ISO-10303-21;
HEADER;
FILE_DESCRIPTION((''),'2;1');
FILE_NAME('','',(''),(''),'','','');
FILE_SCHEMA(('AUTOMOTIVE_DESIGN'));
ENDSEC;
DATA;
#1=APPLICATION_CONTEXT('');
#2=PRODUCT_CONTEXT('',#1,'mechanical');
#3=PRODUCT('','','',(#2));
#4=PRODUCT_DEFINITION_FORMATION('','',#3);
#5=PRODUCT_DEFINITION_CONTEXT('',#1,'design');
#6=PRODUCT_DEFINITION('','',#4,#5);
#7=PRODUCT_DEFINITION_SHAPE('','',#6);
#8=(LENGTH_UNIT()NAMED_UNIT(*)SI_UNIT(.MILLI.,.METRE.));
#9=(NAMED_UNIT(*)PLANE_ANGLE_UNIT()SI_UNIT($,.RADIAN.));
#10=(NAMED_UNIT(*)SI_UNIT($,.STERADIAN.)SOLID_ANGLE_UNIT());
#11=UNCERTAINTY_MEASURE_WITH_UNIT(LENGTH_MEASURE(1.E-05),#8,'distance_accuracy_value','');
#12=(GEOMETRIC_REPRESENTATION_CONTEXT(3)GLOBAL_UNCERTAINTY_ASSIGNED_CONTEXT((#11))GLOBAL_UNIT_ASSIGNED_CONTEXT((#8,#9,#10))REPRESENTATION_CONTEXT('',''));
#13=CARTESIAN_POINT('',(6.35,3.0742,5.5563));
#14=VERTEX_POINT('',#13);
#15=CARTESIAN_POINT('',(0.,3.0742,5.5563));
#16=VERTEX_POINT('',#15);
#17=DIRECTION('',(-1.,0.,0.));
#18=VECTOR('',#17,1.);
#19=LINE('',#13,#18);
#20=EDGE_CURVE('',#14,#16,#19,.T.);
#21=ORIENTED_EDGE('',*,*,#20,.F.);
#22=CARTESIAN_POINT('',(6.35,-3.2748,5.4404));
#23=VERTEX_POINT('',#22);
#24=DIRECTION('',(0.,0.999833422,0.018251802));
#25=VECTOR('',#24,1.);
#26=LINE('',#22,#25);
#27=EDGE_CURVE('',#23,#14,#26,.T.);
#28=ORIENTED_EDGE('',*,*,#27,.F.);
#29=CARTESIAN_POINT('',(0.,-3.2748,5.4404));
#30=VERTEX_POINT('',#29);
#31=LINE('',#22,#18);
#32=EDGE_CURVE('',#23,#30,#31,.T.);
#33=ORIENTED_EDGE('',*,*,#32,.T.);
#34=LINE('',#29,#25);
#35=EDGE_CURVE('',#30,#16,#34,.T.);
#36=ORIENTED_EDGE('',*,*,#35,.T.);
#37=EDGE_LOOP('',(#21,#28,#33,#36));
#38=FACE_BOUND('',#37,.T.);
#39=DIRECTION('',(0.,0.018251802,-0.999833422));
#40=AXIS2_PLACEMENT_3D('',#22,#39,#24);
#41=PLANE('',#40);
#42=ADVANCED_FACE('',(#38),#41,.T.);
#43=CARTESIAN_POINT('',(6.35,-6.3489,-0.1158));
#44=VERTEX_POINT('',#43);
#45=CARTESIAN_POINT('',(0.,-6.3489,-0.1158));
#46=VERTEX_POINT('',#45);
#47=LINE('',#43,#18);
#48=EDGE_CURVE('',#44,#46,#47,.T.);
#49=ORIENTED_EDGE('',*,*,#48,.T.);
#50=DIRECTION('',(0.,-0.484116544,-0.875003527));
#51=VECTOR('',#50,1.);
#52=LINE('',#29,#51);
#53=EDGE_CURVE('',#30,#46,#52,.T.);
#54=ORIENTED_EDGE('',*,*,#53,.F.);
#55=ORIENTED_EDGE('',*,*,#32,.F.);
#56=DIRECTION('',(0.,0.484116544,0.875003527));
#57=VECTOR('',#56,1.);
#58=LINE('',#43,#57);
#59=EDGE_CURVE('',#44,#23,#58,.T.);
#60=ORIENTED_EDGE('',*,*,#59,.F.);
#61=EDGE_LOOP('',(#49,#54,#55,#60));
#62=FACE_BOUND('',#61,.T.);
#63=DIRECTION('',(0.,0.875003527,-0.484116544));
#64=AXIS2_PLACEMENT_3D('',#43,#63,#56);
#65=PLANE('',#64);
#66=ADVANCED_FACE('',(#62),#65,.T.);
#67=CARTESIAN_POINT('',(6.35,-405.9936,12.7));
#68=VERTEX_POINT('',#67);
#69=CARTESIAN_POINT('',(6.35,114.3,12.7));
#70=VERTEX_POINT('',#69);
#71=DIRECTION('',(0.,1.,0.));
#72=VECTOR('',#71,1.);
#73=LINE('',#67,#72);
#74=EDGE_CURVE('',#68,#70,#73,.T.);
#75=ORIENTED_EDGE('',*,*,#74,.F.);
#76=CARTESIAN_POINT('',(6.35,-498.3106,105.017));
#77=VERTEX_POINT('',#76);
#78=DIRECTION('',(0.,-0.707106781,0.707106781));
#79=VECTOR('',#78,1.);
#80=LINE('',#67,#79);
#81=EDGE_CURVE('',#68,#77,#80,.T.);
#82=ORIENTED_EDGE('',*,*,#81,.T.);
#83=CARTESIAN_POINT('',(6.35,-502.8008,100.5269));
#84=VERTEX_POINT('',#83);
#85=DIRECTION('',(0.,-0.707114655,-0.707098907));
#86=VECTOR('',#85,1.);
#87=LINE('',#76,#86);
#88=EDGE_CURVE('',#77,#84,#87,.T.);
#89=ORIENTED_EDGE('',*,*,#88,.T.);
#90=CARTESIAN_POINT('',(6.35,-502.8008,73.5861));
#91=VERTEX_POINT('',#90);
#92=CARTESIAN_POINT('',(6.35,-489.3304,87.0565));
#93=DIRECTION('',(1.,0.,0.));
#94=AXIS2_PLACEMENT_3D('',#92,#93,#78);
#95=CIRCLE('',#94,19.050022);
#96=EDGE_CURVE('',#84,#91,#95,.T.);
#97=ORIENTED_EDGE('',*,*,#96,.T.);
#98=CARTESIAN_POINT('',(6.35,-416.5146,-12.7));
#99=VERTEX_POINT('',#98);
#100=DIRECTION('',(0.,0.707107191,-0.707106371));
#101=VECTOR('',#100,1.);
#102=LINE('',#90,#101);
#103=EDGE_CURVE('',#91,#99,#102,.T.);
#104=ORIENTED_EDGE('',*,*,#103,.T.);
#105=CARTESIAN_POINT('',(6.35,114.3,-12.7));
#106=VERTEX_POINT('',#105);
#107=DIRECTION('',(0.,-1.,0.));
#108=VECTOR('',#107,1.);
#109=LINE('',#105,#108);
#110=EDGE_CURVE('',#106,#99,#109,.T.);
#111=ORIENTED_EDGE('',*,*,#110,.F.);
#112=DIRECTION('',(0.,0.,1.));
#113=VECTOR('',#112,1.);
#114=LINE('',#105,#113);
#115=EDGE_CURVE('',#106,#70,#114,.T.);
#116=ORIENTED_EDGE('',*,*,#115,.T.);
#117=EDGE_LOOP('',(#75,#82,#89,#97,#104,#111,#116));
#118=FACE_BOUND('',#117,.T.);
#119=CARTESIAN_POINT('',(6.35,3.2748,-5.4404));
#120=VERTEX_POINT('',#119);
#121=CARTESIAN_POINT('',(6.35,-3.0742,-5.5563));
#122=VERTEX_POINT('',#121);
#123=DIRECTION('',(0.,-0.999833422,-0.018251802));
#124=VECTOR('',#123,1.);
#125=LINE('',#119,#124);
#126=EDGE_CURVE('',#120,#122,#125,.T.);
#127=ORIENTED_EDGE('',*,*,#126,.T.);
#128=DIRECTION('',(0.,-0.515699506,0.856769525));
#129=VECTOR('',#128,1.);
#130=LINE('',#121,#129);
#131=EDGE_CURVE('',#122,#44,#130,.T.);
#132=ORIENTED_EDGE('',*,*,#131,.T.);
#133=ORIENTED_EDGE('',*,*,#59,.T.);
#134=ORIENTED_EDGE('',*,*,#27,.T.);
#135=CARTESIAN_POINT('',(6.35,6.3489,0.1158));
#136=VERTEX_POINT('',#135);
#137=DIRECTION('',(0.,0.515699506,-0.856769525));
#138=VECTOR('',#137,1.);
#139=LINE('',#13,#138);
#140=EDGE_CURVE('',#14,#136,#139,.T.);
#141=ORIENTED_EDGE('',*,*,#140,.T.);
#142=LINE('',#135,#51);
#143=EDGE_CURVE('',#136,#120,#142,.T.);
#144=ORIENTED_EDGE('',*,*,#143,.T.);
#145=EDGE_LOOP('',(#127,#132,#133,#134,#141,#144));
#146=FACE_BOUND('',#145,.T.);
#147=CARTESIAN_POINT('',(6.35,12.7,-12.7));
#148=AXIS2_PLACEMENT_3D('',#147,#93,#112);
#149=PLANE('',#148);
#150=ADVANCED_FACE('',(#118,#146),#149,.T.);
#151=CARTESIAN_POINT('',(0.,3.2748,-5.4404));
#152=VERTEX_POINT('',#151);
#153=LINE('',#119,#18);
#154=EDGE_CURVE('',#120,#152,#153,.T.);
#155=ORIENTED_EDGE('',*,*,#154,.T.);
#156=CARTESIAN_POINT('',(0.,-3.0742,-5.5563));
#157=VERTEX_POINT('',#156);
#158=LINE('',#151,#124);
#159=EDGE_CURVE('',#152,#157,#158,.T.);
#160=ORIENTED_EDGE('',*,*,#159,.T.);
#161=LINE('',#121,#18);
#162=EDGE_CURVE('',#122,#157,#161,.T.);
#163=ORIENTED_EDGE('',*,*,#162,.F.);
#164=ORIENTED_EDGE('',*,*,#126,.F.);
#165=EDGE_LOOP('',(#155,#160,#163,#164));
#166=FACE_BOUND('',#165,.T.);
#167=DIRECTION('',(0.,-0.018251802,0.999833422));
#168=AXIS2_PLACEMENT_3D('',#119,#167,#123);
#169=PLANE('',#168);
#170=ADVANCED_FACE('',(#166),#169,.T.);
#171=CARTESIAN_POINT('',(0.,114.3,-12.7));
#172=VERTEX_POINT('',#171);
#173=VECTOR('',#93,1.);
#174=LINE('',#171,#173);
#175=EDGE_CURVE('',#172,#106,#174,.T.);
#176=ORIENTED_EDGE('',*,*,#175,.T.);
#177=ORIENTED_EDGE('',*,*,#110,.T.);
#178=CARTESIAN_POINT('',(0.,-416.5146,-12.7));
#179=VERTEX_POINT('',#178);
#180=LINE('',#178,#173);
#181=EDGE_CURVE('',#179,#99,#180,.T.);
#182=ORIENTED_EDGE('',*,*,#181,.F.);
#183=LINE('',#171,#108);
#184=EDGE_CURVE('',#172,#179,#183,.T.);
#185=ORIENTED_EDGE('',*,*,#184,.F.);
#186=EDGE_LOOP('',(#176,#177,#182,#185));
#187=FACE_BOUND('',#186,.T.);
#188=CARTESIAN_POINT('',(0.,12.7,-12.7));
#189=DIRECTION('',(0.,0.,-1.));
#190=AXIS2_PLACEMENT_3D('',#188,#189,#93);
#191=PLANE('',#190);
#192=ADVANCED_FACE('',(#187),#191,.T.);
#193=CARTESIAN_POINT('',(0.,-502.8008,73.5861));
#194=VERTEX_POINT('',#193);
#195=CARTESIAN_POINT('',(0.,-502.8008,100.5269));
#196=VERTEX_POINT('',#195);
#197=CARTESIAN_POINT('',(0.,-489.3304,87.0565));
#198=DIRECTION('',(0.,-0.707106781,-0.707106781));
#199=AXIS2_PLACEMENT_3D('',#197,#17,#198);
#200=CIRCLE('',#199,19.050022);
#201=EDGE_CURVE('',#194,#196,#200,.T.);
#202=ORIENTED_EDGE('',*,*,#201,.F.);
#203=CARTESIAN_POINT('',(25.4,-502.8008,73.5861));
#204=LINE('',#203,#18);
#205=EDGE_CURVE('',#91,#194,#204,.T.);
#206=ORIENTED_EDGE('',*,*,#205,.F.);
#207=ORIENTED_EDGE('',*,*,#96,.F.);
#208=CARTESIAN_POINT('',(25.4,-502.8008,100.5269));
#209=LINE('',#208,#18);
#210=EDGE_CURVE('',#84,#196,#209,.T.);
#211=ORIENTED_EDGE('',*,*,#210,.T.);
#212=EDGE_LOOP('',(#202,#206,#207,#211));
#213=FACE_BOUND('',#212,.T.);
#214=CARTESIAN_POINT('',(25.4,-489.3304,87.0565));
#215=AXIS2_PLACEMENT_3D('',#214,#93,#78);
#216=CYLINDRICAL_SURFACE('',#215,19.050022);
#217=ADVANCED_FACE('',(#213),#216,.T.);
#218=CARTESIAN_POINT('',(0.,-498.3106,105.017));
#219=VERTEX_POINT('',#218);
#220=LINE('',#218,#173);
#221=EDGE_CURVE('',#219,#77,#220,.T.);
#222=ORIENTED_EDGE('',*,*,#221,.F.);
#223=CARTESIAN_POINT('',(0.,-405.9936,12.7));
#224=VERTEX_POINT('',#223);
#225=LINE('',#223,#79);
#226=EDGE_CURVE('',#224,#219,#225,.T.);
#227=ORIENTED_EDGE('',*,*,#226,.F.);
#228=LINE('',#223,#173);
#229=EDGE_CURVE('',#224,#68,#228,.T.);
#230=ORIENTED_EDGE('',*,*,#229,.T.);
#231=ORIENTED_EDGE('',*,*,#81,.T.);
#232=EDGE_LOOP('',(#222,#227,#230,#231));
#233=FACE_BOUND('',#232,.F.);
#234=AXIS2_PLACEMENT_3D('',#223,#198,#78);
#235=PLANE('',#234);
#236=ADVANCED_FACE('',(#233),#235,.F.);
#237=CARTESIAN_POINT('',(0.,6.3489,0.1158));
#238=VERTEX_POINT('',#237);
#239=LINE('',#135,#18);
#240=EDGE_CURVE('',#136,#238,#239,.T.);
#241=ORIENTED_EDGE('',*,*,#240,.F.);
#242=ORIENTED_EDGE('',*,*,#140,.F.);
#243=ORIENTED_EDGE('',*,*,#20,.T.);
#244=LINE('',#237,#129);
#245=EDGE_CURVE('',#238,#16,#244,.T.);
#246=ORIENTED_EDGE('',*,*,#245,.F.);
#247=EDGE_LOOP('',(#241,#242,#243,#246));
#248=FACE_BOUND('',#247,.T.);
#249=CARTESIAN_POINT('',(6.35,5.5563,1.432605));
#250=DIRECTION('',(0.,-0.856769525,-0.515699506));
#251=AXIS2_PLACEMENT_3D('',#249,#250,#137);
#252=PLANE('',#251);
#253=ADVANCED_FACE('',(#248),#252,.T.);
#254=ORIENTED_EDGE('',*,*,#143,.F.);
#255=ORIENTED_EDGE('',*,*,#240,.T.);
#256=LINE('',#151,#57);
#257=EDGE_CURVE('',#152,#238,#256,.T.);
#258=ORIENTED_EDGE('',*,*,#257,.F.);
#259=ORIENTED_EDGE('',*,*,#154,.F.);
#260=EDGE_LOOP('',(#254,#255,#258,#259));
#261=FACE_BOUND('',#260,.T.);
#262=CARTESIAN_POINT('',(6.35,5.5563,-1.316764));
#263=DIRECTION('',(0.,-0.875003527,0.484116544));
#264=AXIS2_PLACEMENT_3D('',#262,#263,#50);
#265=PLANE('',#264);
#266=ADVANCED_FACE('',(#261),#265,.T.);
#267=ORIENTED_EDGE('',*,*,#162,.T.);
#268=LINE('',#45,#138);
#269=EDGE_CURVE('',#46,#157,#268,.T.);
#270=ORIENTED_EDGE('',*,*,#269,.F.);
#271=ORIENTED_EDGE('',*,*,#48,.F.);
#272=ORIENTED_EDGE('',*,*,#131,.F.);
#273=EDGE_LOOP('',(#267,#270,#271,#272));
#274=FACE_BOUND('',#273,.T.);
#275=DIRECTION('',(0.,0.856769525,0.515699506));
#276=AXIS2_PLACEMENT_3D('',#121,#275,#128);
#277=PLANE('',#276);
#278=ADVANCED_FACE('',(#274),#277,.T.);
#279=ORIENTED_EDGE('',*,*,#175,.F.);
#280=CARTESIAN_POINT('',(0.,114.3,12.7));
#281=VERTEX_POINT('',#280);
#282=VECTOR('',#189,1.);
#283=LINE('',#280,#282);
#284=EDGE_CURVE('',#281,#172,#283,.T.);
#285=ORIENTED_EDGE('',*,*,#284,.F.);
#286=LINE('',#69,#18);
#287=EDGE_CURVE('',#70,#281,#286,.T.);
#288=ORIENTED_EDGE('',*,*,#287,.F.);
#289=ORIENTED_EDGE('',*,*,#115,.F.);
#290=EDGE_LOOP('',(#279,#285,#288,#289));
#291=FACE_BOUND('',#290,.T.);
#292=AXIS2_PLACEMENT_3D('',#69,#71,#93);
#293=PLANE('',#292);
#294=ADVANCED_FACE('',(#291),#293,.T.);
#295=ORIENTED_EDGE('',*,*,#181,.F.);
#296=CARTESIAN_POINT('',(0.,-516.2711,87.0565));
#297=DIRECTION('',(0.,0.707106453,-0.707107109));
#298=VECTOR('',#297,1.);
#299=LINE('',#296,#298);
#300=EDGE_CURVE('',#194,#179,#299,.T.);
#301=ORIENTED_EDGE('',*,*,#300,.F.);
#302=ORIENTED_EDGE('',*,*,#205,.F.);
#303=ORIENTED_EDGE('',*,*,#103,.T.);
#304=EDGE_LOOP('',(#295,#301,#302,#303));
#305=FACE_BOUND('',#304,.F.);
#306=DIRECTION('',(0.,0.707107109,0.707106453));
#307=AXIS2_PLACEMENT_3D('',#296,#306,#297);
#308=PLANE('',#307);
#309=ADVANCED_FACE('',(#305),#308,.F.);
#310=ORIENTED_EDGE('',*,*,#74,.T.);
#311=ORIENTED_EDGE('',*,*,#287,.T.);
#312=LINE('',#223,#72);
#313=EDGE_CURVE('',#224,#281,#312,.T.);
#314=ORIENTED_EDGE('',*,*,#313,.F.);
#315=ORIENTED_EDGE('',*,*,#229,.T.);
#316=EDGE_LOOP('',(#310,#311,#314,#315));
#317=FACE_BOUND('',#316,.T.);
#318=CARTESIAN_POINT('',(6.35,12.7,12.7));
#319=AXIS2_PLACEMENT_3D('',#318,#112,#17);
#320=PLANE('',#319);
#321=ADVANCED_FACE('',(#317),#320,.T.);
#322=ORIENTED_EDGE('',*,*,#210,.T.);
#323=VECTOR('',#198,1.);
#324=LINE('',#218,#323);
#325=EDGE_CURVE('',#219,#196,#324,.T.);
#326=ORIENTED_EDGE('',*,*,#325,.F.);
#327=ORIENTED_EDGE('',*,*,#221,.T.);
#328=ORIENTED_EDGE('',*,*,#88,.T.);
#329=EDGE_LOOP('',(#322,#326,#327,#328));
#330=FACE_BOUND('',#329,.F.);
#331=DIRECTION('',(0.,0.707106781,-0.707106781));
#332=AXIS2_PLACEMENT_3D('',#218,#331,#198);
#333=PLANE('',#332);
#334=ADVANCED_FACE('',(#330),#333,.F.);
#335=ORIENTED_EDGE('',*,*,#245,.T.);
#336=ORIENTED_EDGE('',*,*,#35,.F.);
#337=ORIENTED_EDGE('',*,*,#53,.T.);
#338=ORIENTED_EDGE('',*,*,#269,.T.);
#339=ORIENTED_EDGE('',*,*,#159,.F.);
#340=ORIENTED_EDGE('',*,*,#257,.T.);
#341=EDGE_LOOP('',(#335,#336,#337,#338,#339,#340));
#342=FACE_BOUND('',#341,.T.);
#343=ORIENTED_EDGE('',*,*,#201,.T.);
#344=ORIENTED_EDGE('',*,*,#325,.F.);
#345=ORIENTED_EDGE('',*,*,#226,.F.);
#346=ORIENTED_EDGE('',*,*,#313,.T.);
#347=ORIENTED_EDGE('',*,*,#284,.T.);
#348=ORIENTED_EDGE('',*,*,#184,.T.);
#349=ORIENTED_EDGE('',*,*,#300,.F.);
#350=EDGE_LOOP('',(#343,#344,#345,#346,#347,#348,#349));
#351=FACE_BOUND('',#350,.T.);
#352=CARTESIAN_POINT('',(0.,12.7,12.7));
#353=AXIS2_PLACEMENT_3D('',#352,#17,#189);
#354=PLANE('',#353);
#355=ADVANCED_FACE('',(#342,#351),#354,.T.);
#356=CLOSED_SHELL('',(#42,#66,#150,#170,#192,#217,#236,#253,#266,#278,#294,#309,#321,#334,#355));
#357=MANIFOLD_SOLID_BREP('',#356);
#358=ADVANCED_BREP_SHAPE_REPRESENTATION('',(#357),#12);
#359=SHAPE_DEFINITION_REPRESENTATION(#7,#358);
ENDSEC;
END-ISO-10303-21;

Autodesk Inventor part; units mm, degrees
ref_plane "YZ Plane" through (0, 0, 0) normal (1, 0, 0) x (0, 1, 0)
ref_plane "XZ Plane" through (0, 0, 0) normal (0, 1, 0) x (-1, 0, 0)
ref_plane "XY Plane" through (0, 0, 0) normal (0, 0, 1) x (1, 0, 0)
sketch "Sketch1" plane through (0, 0, 0) normal (1, 0, 0) x (0, 1, 0)
  circle A0 centre (0, 0) radius 3.175
  line L0 (0, 0) -> (12.7, 0)
  line L1 (0, 0) -> (12.7, 0) construction
  line L2 (12.7, 0) -> (12.7, -12.7)
  line L3 (12.7, -12.7) -> (-405.9936, -12.7)
  line L4 (-405.9936, -12.7) -> (-405.9936, 12.7)
  line L5 (-405.9936, 12.7) -> (12.7, 12.7)
  line L6 (12.7, 12.7) -> (12.7, -12.7)
  line L7 (-405.9936, 12.7) -> (-498.3106, 105.017)
  line L8 (-405.9936, 12.7) -> (-275.4376, 12.7) construction
  line L9 (-498.3106, 105.017) -> (-516.2711, 87.0565)
  line L10 (-516.2711, 87.0565) -> (-408.5081, -20.7066)
  line L11 (-405.9936, -12.7) -> (-431.3936, -12.7)
  line L12 (-405.9936, -12.7) -> (-380.5936, -12.7) construction
  line L13 (-516.2711, 87.0565) -> (-416.5146, -12.7)
  line L14 (-416.5146, -12.7) -> (12.7, -12.7)
  dimension "d0" = 6.35
  dimension "d1" = 12.7
  dimension "d2" = 0
  dimension "d3" = 12.7
  dimension "d4" = 90
  dimension "d5" = 418.6936
  dimension "d6" = 25.4
  dimension "d7" = 130.556
  dimension "d8" = 135
  dimension "d9" = 25.4
  dimension "d10" = 90
  dimension "d11" = 152.4
  dimension "d12" = 90
  dimension "d13" = 25.4
  dimension "d14" = 180
extrude "Extrusion1" add sketch "Sketch1" along normal blind 25.4
sketch "Sketch2" plane through (25.4, 0, 0) normal (1, 0, 0) x (0, 0, -1)
  line L0 (-105.017, -498.3106) -> (-87.0565, -516.2711) projected
  line L1 (-87.0565, -516.2711) -> (12.7, -416.5146) projected
  line L2 (-12.7, 12.7) -> (-12.7, -405.9936) projected
  line L3 (-96.0368, -507.2909) -> (-78.0763, -507.2909)
  line L4 (-105.017, -498.3106) -> (-100.5269, -502.8008)
  line L5 (-100.5269, -502.8008) -> (-73.5861, -502.8008)
  arc A0 (-100.5269, -502.8008) -> (-73.5861, -502.8008) centre (-87.0565, -489.3304) ccw
  dimension "d17" = 6.35
  dimension "d18" = 19.05
extrude "Extrusion2" cut sketch "Sketch2" against normal blind 25.4 contours A0 L3 L0 | L3 A0 L1 L0 | L1 L3 A0
sketch "Sketch3" plane through (0, 12.7, 12.7) normal (0, 1, 0) x (1, 0, 0)
  line L0 (0, 25.4) -> (0, 0) projected
  line L1 (0, 0) -> (25.4, 0) projected
  line L2 (25.4, 25.4) -> (25.4, 0) projected
  line L3 (0, 25.4) -> (25.4, 25.4) projected
  point P0 (0, 12.7)
extrude "Extrusion3" add sketch "Sketch3" along normal blind 127
sketch "Sketch4" plane through (25.4, 0, 0) normal (1, 0, 0) x (0, 0, -1)
  arc A0 (-100.5269, -502.8008) -> (-73.5861, -502.8008) centre (-87.0565, -489.3304) ccw projected
  line L0 (-73.5861, -502.8008) -> (12.7, -416.5146) projected
  line L1 (12.7, -416.5146) -> (12.7, 139.7) projected
  line L2 (-12.7, 139.7) -> (12.7, 139.7) projected
  line L3 (-12.7, -405.9936) -> (-12.7, 139.7) projected
  line L4 (-12.7, -405.9936) -> (-105.017, -498.3106) projected
  line L5 (-105.017, -498.3106) -> (-100.5269, -502.8008) projected
  circle A1 centre (0, 0) radius 3.175 projected
extrude "Extrusion4" cut sketch "Sketch4" against normal blind 19.05
sketch "Sketch5" plane through (6.35, 0, 0) normal (1, 0, 0) x (0, 0, -1)
  line L0 (-12.7, 139.7) -> (12.7, 139.7)
  line L1 (12.7, 139.7) -> (12.7, 12.7)
  line L2 (12.7, 12.7) -> (-12.7, 12.7)
  line L3 (-12.7, 12.7) -> (-12.7, 139.7)
  dimension "d25" = 25.4
  dimension "d26" = 127
extrude "Extrusion5" cut sketch "Sketch5" against normal blind 127
sketch "Sketch8" plane through (6.35, 12.7, 12.7) normal (0, 1, 0) x (1, 0, 0)
  line L0 (-6.35, 0) -> (-6.35, 25.4) projected
  line L1 (0, 0) -> (-6.35, 0) projected
  line L2 (0, 25.4) -> (0, 0) projected
  line L3 (-6.35, 25.4) -> (0, 25.4) projected
  point P0 (-6.35, 12.7)
extrude "Extrusion8" add sketch "Sketch8" along normal blind 101.6
sketch "Sketch9" plane through (6.35, 0, 0) normal (1, 0, 0) x (0, 0, -1)
  circle A0 centre (0, 0) radius 3.175 projected
  circle A1 centre (0, 0) radius 6.35
  dimension "d45" = 12.7
extrude "Extrusion9" cut sketch "Sketch9" against normal blind 25.4
sketch "Sketch10" plane through (6.35, 0, 0) normal (1, 0, 0) x (0, 0, -1)
  circle A0 centre (0, 0) radius 6.35 projected
  line L0 (-5.5563, -5.5563) -> (5.5563, -5.5563)
  line L1 (5.5563, -5.5563) -> (5.5563, 5.5563)
  line L2 (5.5563, 5.5563) -> (-5.5563, 5.5563)
  line L3 (-5.5563, 5.5563) -> (-5.5563, -5.5563)
  line L4 (-5.5563, -5.5563) -> (5.5563, 5.5563) construction
  line L5 (5.5563, -5.5563) -> (-5.5563, 5.5563) construction
  line L6 (5.5563, -3.0742) -> (0.1158, -6.3489)
  line L7 (0.1158, -6.3489) -> (-5.4404, -3.2748)
  line L8 (-5.4404, -3.2748) -> (-5.5563, 3.0742)
  line L9 (-5.5563, 3.0742) -> (-0.1158, 6.3489)
  line L10 (-0.1158, 6.3489) -> (5.4404, 3.2748)
  line L11 (5.4404, 3.2748) -> (5.5563, -3.0742)
  dimension "d48" = 11.1125
  dimension "d49" = 11.1125
extrude "Extrusion10" add sketch "Sketch10" against normal blind 6.35 contours L1 A0 | L11 A0 L1 | A0 L0 L6 | A0 L6 L0 | L10 L2 A0 | A0 L0 L7 | L0 A0 L7 | L2 L10 A0 | A0 L3 L8 | L9 L2 A0 | L9 A0 L2 | A0 L3
properties part number "FlatArm"
